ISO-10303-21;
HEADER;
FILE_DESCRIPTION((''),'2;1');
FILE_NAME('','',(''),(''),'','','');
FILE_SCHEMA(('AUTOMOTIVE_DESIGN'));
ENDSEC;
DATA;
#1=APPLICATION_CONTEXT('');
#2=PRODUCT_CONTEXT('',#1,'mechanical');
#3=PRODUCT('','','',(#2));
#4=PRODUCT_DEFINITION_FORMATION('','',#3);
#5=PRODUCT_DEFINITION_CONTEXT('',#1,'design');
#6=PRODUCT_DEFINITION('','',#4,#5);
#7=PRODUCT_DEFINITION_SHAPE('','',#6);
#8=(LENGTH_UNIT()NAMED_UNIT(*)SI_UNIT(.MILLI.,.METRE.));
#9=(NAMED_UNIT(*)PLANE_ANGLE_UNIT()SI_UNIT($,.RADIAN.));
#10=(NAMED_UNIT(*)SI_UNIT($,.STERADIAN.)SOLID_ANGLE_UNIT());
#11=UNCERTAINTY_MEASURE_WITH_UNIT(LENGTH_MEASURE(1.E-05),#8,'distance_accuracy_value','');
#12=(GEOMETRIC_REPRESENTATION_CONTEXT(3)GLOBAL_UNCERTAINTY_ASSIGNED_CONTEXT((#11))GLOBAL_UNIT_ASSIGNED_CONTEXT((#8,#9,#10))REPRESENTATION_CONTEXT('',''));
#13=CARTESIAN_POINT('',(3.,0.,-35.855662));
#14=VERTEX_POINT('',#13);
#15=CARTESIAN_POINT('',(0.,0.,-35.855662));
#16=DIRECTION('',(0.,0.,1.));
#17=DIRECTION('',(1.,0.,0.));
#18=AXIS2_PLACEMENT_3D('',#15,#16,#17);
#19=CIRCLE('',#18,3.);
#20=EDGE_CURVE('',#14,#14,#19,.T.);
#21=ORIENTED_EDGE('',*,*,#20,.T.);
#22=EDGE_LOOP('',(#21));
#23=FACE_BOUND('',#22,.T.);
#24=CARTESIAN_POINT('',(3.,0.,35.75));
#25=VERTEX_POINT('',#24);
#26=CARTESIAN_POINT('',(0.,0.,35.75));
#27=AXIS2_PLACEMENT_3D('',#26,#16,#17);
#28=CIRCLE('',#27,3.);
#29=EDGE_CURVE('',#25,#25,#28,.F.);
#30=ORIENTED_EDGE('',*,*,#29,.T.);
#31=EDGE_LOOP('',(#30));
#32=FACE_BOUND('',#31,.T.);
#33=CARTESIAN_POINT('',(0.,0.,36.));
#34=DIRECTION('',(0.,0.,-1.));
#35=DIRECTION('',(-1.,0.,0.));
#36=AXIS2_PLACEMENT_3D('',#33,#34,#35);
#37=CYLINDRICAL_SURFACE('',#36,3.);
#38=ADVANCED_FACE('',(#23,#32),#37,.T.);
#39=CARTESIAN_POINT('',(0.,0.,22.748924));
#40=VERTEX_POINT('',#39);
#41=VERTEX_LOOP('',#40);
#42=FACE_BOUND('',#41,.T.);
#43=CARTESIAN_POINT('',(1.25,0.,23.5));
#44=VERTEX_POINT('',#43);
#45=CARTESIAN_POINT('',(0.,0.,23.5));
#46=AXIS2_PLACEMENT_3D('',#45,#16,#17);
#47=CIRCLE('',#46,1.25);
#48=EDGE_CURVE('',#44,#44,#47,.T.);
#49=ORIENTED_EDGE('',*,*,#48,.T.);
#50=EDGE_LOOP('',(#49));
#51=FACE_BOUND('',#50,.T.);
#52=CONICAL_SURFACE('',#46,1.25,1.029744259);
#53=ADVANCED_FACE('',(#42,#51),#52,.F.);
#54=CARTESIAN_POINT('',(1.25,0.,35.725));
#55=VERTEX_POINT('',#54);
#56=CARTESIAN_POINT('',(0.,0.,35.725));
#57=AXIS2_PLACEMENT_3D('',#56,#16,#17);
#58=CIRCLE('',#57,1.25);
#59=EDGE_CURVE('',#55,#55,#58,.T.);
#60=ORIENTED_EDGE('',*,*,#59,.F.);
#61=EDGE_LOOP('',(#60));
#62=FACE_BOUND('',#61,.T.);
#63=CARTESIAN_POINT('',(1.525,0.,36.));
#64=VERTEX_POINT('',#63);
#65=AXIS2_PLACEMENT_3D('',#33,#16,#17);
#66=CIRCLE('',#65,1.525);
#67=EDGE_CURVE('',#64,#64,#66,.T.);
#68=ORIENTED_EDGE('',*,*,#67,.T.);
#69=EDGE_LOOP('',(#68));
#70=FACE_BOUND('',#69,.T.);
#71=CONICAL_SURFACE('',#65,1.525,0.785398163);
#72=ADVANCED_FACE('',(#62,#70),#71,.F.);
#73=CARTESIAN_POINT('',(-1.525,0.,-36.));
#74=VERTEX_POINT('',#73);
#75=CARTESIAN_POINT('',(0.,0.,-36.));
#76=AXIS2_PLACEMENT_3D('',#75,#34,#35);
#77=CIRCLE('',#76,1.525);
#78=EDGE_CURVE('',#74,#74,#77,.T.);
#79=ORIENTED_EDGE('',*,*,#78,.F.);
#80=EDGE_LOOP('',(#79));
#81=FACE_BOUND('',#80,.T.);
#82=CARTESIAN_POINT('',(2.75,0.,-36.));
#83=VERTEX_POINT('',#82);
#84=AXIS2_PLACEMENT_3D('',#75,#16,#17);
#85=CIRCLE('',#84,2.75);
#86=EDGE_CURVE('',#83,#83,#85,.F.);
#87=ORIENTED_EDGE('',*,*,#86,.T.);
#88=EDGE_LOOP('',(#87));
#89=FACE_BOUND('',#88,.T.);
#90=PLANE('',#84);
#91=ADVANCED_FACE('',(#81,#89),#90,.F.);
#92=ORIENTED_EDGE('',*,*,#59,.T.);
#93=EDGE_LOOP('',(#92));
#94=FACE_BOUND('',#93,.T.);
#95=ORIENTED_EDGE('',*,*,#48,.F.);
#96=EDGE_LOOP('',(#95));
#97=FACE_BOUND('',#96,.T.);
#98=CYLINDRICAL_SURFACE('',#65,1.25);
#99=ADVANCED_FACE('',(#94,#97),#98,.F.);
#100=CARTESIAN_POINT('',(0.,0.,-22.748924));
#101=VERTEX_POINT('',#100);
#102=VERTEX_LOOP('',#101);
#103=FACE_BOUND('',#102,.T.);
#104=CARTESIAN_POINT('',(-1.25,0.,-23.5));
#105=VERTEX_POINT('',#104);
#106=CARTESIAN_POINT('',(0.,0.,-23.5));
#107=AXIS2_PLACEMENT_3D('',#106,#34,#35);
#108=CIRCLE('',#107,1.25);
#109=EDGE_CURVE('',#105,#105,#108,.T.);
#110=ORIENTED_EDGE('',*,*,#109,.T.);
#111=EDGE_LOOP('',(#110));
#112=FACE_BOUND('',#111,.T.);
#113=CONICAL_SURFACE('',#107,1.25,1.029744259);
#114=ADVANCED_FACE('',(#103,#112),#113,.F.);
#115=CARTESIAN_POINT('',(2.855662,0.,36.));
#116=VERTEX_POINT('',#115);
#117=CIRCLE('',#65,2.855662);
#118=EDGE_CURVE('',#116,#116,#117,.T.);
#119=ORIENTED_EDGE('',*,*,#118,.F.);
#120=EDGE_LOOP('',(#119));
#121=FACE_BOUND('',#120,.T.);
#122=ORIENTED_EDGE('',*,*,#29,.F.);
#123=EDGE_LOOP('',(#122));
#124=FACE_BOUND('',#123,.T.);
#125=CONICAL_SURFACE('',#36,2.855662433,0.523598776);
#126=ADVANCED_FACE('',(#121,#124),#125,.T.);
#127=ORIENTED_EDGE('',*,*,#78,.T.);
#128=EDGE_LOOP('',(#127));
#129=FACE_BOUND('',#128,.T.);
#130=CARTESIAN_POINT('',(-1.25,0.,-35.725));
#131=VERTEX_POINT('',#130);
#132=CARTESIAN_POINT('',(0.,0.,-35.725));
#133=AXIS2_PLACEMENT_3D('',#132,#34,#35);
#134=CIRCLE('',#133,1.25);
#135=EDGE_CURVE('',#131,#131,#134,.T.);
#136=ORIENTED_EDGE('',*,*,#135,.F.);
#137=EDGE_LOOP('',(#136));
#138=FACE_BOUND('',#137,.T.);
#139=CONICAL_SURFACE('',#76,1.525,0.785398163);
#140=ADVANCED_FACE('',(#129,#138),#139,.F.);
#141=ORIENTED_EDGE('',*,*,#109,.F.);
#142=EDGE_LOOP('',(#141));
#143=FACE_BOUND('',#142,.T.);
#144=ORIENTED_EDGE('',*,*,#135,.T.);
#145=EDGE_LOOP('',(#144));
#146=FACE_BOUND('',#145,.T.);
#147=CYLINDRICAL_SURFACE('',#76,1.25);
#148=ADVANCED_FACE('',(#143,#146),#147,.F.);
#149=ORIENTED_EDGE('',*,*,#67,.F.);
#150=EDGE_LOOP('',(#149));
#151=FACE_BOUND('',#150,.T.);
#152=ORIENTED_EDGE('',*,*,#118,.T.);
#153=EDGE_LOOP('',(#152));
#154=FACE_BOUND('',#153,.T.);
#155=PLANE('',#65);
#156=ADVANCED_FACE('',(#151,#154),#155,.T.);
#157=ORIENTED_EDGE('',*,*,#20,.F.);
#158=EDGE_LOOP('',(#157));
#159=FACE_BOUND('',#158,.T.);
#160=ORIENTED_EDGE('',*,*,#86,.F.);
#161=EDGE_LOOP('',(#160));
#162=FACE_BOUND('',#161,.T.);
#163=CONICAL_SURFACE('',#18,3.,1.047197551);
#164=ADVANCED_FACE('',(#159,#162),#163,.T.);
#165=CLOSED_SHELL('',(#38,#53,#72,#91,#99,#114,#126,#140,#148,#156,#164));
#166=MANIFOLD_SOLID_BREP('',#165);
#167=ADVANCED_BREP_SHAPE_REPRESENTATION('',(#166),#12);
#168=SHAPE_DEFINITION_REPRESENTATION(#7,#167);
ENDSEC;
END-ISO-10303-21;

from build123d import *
from OCP.BRepFilletAPI import BRepFilletAPI_MakeChamfer

# Parameters (mm, degrees)
SKETCH_1_R      = 3
EXTRUDE_1_DEPTH = 36
CHAMFER_1_SIZE  = 0.25
CHAMFER_1_SIZE2 = 0.144337567


with BuildPart() as part:
    # ｽｹｯﾁ1 → ﾎﾞｽ - 押し出し1 (new, symmetric)
    with BuildSketch(Plane.XY):
        Circle(SKETCH_1_R)
    extrude(amount=EXTRUDE_1_DEPTH, both=True)

    # 面取り1: one chamfer whose edges measure the first distance from different faces: ONE call of the kernel's chamfer builder (chamfer() names one face for all edges)
    chamfer_1_edges_1 = [part.edges().sort_by_distance(p)[0] for p in [
        (-3, 0, -36),
    ]]
    chamfer_1_side_1 = [part.faces().sort_by_distance(p)[0] for p in [
        (0, 0, -36),
    ]]
    chamfer_1_edges_2 = [part.edges().sort_by_distance(p)[0] for p in [
        (-3, 0, 36),
    ]]
    chamfer_1_side_2 = [part.faces().sort_by_distance(p)[0] for p in [
        (-3, 0, 0),
    ]]
    chamfer_1 = BRepFilletAPI_MakeChamfer(part.part.solid().wrapped)
    for e in chamfer_1_edges_1:
        chamfer_1.Add(CHAMFER_1_SIZE, CHAMFER_1_SIZE2, e.wrapped, chamfer_1_side_1[0].wrapped)  # the first distance lies on this face
    for e in chamfer_1_edges_2:
        chamfer_1.Add(CHAMFER_1_SIZE, CHAMFER_1_SIZE2, e.wrapped, chamfer_1_side_2[0].wrapped)  # the first distance lies on this face
    add(Compound.cast(chamfer_1.Shape()), mode=Mode.REPLACE)

    # ｽｹｯﾁ3 → M3x0.5 ねじ穴1 (revolve, cut)
    with BuildSketch(Plane(origin=(0, 0, 36), x_dir=(0, -1, 0), z_dir=(1, 0, 0))):
        Polygon((0, 0), (0, 13.251075774), (1.25, 12.5), (1.25, 0.275), (1.525, 0), align=None)
    m3x0_5_1 = revolve(axis=Axis((0, 0, 42.35), (0, 0, -1)), mode=Mode.SUBTRACT)

    # ﾐﾗｰ1: M3x0.5 ねじ穴1 across plane
    add(m3x0_5_1.mirror(Plane.XY), mode=Mode.SUBTRACT)


solid = part.part
